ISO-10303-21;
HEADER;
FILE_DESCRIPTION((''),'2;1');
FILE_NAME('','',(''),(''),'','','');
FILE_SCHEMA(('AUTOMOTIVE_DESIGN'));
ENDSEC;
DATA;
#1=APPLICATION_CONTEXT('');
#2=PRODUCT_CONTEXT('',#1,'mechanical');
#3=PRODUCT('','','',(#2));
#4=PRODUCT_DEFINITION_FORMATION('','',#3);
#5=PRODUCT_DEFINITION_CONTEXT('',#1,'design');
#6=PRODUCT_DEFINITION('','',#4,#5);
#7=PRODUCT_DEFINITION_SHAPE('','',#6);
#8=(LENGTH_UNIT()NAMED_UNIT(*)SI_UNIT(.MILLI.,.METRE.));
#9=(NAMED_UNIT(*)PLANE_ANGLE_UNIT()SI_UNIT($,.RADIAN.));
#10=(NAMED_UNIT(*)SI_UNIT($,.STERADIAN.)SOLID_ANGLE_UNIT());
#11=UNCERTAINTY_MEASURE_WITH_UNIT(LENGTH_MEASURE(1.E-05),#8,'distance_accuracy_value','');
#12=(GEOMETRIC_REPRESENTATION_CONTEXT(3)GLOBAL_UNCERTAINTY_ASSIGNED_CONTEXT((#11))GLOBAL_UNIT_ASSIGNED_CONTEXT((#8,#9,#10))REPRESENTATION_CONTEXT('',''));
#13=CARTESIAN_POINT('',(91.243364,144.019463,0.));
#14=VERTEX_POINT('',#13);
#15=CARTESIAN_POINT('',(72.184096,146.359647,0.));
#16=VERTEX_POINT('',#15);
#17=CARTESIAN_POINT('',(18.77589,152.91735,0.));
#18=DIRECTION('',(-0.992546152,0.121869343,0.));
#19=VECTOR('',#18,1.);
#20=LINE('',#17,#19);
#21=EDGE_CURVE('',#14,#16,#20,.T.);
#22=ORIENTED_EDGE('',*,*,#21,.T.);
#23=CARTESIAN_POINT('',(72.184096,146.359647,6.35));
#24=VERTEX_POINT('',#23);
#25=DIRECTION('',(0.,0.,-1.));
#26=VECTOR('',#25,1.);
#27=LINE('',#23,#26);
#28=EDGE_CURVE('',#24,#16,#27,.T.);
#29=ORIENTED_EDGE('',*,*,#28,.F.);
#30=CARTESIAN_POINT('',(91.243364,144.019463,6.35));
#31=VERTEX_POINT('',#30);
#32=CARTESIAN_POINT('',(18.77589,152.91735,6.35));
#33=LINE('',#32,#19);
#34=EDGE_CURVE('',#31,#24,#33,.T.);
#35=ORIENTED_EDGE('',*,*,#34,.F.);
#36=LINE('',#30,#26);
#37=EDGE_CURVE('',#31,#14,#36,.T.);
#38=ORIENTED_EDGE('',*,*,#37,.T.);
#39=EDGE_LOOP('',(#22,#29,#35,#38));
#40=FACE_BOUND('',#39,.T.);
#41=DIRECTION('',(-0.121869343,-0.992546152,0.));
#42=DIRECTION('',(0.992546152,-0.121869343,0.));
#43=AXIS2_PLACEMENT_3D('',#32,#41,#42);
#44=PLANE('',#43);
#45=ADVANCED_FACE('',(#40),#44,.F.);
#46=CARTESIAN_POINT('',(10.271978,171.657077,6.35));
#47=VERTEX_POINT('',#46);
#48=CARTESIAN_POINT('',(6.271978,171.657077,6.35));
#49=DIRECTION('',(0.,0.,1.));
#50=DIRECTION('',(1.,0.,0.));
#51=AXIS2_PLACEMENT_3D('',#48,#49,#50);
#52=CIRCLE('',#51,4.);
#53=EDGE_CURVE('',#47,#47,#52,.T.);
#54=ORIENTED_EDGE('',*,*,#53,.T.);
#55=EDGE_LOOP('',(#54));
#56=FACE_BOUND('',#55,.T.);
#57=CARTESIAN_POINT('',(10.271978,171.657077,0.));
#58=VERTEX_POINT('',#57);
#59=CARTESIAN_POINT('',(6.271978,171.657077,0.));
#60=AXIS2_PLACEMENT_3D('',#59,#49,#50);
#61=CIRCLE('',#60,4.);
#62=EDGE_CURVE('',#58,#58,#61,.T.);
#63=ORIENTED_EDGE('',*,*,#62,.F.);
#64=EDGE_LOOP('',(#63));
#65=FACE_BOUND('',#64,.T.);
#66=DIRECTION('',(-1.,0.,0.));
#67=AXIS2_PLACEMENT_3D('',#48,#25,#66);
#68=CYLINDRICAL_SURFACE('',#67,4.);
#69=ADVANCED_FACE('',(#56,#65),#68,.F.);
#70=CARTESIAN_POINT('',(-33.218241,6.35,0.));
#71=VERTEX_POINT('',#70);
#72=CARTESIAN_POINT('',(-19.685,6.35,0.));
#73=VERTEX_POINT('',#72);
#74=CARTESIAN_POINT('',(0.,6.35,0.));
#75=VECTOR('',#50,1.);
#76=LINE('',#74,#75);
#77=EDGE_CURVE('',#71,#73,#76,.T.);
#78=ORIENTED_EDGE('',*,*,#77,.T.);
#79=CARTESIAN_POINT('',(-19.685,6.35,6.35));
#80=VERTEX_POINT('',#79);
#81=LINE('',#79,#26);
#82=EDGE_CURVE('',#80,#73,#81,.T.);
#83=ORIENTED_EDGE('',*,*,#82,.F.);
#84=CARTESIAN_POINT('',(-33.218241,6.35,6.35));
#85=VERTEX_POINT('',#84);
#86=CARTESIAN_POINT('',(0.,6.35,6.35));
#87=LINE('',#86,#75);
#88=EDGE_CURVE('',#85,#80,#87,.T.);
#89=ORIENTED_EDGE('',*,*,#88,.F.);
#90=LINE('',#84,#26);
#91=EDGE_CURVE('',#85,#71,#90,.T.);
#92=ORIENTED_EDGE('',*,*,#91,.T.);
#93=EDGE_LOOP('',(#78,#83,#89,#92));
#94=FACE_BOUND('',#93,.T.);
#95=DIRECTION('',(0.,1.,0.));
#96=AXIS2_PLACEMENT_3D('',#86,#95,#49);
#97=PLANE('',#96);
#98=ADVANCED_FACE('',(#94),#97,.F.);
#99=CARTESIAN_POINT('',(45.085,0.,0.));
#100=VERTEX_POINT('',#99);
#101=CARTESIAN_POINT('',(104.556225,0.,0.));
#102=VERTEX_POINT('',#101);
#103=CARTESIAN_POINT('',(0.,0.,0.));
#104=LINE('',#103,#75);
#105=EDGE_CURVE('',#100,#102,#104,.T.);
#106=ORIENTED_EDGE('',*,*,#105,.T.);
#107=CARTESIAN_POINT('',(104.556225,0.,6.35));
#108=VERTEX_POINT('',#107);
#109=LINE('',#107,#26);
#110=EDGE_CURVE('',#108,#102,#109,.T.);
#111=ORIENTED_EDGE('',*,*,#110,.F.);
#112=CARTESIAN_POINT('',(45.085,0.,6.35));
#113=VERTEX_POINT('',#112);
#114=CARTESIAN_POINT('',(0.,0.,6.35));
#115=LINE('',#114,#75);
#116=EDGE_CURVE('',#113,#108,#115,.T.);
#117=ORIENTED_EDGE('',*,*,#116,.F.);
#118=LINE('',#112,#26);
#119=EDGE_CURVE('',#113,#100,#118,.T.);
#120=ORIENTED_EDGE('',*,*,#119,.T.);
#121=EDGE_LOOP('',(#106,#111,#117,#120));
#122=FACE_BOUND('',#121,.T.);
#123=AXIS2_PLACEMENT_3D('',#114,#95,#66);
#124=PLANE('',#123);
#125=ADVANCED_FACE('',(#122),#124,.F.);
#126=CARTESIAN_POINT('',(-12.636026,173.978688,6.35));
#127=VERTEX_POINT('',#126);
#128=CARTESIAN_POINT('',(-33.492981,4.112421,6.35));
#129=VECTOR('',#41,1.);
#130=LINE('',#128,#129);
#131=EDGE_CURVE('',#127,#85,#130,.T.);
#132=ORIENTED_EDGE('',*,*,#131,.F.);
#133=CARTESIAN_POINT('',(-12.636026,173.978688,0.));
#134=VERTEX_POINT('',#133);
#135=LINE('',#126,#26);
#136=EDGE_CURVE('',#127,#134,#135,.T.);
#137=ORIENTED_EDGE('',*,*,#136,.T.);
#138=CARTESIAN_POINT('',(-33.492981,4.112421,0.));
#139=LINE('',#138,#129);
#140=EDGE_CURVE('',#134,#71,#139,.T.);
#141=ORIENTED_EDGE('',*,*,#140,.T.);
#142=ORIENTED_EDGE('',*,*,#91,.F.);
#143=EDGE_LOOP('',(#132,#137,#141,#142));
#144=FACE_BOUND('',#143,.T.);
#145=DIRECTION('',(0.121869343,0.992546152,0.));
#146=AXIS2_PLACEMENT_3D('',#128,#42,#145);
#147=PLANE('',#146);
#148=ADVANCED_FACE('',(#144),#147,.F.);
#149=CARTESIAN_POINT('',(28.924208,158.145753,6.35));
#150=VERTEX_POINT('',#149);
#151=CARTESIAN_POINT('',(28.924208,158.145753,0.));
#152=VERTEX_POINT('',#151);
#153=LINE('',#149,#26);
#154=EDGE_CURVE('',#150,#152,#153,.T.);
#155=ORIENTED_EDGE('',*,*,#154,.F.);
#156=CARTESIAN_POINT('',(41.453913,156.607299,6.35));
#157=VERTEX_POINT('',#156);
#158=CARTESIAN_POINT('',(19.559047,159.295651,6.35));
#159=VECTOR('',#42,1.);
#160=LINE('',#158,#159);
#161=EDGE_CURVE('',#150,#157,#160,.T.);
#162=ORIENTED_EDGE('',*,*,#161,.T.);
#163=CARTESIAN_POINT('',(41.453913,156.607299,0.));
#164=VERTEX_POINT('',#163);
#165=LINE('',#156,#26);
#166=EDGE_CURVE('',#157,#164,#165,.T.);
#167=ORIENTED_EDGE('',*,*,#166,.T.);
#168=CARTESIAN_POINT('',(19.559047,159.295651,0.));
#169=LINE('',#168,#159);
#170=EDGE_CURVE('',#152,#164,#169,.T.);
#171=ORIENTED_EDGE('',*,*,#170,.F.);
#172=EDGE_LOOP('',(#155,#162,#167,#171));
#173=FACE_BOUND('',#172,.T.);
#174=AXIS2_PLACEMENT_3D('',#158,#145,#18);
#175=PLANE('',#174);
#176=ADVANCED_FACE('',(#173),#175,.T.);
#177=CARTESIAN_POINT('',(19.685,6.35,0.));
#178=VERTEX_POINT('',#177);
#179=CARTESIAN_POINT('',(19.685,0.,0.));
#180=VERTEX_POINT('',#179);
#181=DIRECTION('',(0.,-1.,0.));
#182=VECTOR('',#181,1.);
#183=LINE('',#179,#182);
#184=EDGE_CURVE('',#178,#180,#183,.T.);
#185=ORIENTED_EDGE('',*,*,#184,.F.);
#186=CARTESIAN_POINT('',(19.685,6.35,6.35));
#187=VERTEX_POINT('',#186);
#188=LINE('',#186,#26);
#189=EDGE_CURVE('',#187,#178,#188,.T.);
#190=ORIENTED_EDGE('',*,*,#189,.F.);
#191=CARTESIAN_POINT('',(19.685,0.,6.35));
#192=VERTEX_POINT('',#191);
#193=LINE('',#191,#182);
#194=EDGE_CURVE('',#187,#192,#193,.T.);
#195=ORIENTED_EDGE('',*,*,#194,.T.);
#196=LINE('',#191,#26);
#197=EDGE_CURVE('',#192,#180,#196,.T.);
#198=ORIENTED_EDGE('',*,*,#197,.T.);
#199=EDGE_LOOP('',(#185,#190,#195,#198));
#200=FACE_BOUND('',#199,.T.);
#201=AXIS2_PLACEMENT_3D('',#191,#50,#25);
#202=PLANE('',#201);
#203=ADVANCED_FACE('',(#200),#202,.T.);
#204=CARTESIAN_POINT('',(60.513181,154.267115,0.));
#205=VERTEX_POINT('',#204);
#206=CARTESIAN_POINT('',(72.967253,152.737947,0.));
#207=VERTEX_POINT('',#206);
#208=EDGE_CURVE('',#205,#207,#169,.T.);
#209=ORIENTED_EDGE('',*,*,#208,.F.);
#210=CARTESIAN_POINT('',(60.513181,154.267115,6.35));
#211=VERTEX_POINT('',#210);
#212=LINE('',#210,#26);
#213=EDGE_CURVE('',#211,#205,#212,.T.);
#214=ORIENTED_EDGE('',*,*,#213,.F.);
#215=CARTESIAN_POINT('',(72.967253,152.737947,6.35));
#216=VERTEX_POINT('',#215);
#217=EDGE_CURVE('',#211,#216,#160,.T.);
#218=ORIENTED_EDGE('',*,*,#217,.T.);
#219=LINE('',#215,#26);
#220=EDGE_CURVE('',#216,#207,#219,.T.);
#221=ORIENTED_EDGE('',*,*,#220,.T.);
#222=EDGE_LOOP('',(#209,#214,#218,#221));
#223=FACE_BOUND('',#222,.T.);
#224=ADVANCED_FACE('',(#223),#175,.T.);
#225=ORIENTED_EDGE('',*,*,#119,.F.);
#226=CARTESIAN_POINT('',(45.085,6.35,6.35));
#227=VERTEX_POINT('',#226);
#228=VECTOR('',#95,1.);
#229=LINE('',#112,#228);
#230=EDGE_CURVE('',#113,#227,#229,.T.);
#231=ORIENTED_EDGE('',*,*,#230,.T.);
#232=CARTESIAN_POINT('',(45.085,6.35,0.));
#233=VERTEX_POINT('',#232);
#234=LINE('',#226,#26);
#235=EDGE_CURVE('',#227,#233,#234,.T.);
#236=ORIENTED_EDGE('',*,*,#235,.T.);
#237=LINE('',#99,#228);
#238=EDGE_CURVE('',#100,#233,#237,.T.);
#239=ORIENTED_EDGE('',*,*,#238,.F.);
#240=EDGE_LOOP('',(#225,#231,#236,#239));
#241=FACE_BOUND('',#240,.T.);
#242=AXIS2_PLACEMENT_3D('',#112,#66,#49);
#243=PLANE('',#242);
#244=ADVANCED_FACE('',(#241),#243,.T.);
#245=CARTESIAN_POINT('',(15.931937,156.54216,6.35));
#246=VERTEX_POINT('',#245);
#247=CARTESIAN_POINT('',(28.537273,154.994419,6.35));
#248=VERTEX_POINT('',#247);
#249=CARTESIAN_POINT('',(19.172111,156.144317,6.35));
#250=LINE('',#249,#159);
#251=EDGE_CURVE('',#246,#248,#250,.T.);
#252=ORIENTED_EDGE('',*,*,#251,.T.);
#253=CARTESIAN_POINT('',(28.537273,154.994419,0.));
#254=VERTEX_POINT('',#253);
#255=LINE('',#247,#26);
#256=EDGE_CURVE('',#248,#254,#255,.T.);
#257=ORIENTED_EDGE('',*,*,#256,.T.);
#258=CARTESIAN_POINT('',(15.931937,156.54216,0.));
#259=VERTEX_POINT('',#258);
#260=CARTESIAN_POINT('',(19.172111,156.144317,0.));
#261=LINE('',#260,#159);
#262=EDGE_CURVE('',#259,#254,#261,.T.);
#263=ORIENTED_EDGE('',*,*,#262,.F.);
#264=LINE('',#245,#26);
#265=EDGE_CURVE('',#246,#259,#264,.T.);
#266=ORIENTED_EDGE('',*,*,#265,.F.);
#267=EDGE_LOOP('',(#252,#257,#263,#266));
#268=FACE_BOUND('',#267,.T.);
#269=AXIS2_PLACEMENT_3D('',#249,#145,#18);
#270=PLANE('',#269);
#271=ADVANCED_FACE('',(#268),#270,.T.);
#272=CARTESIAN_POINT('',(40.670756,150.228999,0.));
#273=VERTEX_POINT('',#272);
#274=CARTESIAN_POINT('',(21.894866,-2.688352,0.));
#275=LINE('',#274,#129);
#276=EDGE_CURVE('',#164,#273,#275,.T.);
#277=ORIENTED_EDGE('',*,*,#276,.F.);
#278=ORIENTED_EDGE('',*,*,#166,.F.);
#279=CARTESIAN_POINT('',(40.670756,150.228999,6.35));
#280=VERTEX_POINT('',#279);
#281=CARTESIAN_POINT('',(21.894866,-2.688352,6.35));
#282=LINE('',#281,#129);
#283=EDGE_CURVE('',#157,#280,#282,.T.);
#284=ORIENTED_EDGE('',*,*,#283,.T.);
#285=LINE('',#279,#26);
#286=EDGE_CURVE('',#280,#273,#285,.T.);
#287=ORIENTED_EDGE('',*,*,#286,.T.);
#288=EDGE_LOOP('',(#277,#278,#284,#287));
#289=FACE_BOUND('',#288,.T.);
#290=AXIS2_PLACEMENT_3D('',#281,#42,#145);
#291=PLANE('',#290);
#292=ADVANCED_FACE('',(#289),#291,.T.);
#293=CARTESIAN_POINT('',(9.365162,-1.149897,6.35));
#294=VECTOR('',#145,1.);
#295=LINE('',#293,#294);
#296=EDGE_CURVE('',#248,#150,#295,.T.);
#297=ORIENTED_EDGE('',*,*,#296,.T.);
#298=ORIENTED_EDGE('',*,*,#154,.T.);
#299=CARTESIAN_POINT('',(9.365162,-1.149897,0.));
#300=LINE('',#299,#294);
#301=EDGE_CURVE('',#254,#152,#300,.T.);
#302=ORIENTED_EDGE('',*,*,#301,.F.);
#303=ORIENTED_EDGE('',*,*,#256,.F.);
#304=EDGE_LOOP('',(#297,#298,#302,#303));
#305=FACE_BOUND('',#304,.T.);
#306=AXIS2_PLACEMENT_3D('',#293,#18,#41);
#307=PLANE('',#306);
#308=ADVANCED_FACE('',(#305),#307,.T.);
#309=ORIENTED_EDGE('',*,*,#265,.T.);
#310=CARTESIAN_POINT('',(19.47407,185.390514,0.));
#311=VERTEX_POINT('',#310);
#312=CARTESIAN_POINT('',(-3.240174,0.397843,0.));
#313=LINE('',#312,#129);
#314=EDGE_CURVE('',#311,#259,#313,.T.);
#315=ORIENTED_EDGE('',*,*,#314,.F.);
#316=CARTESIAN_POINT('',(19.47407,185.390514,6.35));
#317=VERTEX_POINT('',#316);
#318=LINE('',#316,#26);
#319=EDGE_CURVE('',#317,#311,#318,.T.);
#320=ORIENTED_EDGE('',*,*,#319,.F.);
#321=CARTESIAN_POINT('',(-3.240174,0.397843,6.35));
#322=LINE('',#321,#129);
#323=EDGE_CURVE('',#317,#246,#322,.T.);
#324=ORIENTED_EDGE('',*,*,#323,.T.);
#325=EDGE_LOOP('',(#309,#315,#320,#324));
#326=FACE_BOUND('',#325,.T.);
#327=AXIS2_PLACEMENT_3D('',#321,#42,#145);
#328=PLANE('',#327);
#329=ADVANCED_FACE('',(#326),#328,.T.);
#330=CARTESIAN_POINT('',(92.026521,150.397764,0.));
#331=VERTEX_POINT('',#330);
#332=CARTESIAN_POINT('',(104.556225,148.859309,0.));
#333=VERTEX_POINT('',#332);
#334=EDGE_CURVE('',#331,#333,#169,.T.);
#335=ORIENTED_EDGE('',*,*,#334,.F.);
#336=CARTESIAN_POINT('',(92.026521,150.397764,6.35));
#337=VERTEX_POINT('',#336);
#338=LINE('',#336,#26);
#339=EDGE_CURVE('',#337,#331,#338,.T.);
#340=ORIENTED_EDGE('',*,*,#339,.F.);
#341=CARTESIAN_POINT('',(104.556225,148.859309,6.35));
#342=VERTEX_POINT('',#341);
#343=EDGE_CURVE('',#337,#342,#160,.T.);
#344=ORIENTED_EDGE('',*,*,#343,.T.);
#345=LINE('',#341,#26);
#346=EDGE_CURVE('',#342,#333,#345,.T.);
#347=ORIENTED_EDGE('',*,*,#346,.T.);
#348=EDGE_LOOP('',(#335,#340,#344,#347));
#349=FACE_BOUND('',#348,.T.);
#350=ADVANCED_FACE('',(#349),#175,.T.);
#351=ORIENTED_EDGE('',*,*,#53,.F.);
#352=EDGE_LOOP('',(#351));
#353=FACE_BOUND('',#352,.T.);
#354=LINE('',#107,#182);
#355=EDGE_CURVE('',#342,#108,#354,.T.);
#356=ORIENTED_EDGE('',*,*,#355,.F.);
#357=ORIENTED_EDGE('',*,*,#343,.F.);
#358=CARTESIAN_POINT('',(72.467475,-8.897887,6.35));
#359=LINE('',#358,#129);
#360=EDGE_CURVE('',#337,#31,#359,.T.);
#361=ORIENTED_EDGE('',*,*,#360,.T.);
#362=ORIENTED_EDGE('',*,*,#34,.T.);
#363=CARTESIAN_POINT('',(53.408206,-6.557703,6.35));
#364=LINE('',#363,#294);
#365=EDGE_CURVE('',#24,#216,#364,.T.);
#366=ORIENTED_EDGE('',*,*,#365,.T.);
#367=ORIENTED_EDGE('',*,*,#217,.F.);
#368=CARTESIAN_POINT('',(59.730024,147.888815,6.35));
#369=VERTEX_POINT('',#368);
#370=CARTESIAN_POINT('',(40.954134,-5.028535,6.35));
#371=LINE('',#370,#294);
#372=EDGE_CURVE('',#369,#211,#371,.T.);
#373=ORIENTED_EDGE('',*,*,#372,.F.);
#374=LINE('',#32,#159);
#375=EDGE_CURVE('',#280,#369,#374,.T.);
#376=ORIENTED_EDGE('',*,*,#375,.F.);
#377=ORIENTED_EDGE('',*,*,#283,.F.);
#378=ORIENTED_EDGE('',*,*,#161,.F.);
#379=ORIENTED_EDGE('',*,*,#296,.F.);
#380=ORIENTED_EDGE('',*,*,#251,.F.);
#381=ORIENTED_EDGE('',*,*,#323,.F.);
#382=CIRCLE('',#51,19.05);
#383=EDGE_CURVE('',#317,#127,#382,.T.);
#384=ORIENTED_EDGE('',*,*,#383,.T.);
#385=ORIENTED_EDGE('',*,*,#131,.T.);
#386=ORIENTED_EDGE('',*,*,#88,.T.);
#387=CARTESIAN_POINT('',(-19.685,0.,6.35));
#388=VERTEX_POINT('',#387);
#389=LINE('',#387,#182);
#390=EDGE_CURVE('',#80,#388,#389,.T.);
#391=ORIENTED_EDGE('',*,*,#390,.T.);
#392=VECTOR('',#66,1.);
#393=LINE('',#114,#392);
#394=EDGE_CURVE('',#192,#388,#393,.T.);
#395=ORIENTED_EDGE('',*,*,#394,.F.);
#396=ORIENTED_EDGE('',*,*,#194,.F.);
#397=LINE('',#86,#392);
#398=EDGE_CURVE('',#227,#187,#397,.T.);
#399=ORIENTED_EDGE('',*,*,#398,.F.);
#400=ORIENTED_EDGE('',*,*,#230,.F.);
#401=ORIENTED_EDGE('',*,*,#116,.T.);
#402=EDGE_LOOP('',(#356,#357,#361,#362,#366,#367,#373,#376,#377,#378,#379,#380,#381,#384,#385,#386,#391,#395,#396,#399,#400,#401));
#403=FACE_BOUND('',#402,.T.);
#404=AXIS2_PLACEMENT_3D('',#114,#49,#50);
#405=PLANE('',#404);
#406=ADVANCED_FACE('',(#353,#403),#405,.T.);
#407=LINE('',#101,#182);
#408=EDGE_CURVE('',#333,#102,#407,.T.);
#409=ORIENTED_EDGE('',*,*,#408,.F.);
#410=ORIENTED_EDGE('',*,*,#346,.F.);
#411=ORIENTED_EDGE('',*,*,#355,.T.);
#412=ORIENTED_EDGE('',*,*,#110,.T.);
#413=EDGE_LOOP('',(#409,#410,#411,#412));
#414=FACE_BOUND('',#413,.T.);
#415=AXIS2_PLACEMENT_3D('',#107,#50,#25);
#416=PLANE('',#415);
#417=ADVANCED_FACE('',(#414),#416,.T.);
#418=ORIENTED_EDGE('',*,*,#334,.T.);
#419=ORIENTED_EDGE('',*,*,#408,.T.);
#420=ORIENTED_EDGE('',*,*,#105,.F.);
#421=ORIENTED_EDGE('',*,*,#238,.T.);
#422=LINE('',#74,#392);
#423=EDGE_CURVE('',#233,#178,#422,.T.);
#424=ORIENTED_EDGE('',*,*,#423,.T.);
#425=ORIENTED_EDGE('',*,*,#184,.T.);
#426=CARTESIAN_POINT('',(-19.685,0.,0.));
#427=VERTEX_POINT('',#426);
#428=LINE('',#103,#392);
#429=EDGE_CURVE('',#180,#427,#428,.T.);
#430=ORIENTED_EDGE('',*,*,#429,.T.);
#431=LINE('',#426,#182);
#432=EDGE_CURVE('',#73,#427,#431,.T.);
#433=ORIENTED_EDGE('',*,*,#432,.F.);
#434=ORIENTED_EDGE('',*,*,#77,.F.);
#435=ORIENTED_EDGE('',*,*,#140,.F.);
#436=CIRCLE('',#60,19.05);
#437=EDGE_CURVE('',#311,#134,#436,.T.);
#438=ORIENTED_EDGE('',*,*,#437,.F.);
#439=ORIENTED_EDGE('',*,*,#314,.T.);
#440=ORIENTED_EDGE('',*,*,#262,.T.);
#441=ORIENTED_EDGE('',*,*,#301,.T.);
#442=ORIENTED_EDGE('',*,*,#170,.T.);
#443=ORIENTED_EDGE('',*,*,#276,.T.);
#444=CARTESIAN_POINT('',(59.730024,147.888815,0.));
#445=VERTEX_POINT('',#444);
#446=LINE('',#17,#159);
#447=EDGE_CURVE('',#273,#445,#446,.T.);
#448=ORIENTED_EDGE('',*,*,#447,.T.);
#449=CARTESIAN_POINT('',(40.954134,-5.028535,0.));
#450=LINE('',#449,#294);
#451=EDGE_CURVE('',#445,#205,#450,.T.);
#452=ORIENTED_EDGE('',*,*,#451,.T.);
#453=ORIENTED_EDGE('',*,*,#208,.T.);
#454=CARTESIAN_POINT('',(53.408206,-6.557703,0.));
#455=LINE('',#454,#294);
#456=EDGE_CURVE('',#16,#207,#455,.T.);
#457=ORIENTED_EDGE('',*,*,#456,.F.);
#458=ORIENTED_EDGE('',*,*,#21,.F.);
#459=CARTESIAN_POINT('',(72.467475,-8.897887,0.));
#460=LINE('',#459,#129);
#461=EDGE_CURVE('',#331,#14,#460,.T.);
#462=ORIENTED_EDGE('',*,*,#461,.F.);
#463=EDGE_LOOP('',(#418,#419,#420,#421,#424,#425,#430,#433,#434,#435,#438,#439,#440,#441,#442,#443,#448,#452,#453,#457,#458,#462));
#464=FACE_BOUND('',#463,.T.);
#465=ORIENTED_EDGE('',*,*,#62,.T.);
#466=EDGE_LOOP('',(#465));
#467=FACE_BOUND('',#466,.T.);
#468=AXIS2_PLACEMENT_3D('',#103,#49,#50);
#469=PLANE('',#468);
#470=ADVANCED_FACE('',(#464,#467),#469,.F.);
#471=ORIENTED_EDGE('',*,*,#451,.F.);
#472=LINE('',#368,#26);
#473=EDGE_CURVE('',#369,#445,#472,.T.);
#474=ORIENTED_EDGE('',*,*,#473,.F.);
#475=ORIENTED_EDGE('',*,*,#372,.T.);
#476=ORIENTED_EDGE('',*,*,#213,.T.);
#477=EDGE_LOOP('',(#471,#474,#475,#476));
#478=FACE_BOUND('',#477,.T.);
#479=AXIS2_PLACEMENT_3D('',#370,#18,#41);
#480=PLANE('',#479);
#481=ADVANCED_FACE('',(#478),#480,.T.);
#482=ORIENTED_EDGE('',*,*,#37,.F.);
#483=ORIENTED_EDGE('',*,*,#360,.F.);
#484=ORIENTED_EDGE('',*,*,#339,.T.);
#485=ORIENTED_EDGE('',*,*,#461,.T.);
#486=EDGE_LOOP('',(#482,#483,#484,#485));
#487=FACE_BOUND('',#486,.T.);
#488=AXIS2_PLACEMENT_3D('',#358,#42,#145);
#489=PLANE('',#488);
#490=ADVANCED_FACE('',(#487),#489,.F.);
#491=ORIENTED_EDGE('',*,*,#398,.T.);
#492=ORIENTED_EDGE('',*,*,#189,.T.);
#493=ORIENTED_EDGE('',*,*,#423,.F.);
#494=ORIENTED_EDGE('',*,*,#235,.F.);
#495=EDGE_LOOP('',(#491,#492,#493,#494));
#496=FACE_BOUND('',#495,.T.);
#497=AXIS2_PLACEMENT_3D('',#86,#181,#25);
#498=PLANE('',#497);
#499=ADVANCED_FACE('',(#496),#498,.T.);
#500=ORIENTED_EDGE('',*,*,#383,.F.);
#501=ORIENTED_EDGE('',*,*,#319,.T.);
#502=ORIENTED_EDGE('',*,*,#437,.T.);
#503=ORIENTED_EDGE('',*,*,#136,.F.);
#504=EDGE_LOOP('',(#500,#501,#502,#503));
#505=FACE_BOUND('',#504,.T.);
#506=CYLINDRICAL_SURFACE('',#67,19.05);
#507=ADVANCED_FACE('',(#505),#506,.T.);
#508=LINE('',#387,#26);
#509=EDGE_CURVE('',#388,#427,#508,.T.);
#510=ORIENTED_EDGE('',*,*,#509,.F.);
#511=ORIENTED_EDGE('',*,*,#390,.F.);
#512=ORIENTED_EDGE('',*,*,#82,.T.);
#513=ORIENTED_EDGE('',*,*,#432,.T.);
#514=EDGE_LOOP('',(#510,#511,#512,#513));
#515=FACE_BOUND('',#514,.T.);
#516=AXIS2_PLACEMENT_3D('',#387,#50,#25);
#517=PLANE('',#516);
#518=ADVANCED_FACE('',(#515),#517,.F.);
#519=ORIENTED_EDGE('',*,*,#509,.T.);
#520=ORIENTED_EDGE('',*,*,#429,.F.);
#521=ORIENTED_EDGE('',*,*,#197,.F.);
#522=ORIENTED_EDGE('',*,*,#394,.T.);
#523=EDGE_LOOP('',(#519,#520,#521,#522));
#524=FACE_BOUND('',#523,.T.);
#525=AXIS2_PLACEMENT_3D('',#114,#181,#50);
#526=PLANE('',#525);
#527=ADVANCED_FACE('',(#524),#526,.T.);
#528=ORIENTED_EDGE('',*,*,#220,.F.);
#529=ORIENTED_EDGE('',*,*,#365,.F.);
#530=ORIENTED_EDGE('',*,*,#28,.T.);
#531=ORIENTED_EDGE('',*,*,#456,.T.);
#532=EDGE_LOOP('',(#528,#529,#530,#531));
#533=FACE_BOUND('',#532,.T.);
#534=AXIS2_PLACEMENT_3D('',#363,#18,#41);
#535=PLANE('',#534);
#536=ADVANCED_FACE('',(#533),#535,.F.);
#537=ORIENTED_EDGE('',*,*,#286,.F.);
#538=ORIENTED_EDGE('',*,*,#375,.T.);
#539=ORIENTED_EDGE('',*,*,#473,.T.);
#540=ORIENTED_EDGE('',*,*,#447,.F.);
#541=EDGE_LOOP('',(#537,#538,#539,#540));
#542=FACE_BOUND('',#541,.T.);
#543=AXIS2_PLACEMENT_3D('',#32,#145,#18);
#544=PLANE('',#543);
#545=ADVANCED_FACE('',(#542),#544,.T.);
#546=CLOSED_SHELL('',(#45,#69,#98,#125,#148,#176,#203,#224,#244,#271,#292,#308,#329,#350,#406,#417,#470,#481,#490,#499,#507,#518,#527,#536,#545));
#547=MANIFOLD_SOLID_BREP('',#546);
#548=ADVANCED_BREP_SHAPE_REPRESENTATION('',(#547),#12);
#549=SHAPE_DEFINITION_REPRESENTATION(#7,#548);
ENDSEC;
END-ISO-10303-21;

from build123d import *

# Parameters (mm, degrees)
SKETCH1_R           = 4
BOSS_EXTRUDE1_DEPTH = 6.35


with BuildPart() as part:
    # Sketch1 → Boss-Extrude1 (new body)
    with BuildSketch(Plane.XY):
        with BuildLine():
            Line((15.931937103, 156.542159914), (19.474069569, 185.390513812))
            ThreePointArc((19.474069569, 185.390513812), (-0.107426276, 189.607166129), (-12.636025926, 173.978688048))
            Line((-12.636025926, 173.978688048), (-33.218240783, 6.35))
            Line((-33.218240783, 6.35), (-19.685, 6.35))
            Line((-19.685, 6.35), (-19.685, 0))
            Line((-19.685, 0), (0, 0))
            Line((0, 0), (19.685, 0))
            Line((19.685, 0), (19.685, 6.35))
            Line((19.685, 6.35), (45.085, 6.35))
            Line((45.085, 6.35), (45.085, 0))
            Line((45.085, 0), (104.55622515, 0))
            Line((104.55622515, 0), (104.55622515, 148.859309317))
            Line((104.55622515, 148.859309317), (92.026521041, 150.397763534))
            Line((92.026521041, 150.397763534), (91.243364266, 144.019463455))
            Line((91.243364266, 144.019463455), (72.184096044, 146.359647334))
            Line((72.184096044, 146.359647334), (72.967252818, 152.737947414))
            Line((72.967252818, 152.737947414), (60.513180726, 154.267115187))
            Line((60.513180726, 154.267115187), (59.730023951, 147.888815108))
            Line((59.730023951, 147.888815108), (40.670755729, 150.228998987))
            Line((40.670755729, 150.228998987), (41.453912504, 156.607299067))
            Line((41.453912504, 156.607299067), (28.924208395, 158.145753284))
            Line((28.924208395, 158.145753284), (28.537273229, 154.994419253))
            Line((28.537273229, 154.994419253), (15.931937103, 156.542159914))
        make_face()
        with Locations((6.271978263, 171.657077056)):
            Circle(SKETCH1_R, mode=Mode.SUBTRACT)
    extrude(amount=BOSS_EXTRUDE1_DEPTH)


solid = part.part
